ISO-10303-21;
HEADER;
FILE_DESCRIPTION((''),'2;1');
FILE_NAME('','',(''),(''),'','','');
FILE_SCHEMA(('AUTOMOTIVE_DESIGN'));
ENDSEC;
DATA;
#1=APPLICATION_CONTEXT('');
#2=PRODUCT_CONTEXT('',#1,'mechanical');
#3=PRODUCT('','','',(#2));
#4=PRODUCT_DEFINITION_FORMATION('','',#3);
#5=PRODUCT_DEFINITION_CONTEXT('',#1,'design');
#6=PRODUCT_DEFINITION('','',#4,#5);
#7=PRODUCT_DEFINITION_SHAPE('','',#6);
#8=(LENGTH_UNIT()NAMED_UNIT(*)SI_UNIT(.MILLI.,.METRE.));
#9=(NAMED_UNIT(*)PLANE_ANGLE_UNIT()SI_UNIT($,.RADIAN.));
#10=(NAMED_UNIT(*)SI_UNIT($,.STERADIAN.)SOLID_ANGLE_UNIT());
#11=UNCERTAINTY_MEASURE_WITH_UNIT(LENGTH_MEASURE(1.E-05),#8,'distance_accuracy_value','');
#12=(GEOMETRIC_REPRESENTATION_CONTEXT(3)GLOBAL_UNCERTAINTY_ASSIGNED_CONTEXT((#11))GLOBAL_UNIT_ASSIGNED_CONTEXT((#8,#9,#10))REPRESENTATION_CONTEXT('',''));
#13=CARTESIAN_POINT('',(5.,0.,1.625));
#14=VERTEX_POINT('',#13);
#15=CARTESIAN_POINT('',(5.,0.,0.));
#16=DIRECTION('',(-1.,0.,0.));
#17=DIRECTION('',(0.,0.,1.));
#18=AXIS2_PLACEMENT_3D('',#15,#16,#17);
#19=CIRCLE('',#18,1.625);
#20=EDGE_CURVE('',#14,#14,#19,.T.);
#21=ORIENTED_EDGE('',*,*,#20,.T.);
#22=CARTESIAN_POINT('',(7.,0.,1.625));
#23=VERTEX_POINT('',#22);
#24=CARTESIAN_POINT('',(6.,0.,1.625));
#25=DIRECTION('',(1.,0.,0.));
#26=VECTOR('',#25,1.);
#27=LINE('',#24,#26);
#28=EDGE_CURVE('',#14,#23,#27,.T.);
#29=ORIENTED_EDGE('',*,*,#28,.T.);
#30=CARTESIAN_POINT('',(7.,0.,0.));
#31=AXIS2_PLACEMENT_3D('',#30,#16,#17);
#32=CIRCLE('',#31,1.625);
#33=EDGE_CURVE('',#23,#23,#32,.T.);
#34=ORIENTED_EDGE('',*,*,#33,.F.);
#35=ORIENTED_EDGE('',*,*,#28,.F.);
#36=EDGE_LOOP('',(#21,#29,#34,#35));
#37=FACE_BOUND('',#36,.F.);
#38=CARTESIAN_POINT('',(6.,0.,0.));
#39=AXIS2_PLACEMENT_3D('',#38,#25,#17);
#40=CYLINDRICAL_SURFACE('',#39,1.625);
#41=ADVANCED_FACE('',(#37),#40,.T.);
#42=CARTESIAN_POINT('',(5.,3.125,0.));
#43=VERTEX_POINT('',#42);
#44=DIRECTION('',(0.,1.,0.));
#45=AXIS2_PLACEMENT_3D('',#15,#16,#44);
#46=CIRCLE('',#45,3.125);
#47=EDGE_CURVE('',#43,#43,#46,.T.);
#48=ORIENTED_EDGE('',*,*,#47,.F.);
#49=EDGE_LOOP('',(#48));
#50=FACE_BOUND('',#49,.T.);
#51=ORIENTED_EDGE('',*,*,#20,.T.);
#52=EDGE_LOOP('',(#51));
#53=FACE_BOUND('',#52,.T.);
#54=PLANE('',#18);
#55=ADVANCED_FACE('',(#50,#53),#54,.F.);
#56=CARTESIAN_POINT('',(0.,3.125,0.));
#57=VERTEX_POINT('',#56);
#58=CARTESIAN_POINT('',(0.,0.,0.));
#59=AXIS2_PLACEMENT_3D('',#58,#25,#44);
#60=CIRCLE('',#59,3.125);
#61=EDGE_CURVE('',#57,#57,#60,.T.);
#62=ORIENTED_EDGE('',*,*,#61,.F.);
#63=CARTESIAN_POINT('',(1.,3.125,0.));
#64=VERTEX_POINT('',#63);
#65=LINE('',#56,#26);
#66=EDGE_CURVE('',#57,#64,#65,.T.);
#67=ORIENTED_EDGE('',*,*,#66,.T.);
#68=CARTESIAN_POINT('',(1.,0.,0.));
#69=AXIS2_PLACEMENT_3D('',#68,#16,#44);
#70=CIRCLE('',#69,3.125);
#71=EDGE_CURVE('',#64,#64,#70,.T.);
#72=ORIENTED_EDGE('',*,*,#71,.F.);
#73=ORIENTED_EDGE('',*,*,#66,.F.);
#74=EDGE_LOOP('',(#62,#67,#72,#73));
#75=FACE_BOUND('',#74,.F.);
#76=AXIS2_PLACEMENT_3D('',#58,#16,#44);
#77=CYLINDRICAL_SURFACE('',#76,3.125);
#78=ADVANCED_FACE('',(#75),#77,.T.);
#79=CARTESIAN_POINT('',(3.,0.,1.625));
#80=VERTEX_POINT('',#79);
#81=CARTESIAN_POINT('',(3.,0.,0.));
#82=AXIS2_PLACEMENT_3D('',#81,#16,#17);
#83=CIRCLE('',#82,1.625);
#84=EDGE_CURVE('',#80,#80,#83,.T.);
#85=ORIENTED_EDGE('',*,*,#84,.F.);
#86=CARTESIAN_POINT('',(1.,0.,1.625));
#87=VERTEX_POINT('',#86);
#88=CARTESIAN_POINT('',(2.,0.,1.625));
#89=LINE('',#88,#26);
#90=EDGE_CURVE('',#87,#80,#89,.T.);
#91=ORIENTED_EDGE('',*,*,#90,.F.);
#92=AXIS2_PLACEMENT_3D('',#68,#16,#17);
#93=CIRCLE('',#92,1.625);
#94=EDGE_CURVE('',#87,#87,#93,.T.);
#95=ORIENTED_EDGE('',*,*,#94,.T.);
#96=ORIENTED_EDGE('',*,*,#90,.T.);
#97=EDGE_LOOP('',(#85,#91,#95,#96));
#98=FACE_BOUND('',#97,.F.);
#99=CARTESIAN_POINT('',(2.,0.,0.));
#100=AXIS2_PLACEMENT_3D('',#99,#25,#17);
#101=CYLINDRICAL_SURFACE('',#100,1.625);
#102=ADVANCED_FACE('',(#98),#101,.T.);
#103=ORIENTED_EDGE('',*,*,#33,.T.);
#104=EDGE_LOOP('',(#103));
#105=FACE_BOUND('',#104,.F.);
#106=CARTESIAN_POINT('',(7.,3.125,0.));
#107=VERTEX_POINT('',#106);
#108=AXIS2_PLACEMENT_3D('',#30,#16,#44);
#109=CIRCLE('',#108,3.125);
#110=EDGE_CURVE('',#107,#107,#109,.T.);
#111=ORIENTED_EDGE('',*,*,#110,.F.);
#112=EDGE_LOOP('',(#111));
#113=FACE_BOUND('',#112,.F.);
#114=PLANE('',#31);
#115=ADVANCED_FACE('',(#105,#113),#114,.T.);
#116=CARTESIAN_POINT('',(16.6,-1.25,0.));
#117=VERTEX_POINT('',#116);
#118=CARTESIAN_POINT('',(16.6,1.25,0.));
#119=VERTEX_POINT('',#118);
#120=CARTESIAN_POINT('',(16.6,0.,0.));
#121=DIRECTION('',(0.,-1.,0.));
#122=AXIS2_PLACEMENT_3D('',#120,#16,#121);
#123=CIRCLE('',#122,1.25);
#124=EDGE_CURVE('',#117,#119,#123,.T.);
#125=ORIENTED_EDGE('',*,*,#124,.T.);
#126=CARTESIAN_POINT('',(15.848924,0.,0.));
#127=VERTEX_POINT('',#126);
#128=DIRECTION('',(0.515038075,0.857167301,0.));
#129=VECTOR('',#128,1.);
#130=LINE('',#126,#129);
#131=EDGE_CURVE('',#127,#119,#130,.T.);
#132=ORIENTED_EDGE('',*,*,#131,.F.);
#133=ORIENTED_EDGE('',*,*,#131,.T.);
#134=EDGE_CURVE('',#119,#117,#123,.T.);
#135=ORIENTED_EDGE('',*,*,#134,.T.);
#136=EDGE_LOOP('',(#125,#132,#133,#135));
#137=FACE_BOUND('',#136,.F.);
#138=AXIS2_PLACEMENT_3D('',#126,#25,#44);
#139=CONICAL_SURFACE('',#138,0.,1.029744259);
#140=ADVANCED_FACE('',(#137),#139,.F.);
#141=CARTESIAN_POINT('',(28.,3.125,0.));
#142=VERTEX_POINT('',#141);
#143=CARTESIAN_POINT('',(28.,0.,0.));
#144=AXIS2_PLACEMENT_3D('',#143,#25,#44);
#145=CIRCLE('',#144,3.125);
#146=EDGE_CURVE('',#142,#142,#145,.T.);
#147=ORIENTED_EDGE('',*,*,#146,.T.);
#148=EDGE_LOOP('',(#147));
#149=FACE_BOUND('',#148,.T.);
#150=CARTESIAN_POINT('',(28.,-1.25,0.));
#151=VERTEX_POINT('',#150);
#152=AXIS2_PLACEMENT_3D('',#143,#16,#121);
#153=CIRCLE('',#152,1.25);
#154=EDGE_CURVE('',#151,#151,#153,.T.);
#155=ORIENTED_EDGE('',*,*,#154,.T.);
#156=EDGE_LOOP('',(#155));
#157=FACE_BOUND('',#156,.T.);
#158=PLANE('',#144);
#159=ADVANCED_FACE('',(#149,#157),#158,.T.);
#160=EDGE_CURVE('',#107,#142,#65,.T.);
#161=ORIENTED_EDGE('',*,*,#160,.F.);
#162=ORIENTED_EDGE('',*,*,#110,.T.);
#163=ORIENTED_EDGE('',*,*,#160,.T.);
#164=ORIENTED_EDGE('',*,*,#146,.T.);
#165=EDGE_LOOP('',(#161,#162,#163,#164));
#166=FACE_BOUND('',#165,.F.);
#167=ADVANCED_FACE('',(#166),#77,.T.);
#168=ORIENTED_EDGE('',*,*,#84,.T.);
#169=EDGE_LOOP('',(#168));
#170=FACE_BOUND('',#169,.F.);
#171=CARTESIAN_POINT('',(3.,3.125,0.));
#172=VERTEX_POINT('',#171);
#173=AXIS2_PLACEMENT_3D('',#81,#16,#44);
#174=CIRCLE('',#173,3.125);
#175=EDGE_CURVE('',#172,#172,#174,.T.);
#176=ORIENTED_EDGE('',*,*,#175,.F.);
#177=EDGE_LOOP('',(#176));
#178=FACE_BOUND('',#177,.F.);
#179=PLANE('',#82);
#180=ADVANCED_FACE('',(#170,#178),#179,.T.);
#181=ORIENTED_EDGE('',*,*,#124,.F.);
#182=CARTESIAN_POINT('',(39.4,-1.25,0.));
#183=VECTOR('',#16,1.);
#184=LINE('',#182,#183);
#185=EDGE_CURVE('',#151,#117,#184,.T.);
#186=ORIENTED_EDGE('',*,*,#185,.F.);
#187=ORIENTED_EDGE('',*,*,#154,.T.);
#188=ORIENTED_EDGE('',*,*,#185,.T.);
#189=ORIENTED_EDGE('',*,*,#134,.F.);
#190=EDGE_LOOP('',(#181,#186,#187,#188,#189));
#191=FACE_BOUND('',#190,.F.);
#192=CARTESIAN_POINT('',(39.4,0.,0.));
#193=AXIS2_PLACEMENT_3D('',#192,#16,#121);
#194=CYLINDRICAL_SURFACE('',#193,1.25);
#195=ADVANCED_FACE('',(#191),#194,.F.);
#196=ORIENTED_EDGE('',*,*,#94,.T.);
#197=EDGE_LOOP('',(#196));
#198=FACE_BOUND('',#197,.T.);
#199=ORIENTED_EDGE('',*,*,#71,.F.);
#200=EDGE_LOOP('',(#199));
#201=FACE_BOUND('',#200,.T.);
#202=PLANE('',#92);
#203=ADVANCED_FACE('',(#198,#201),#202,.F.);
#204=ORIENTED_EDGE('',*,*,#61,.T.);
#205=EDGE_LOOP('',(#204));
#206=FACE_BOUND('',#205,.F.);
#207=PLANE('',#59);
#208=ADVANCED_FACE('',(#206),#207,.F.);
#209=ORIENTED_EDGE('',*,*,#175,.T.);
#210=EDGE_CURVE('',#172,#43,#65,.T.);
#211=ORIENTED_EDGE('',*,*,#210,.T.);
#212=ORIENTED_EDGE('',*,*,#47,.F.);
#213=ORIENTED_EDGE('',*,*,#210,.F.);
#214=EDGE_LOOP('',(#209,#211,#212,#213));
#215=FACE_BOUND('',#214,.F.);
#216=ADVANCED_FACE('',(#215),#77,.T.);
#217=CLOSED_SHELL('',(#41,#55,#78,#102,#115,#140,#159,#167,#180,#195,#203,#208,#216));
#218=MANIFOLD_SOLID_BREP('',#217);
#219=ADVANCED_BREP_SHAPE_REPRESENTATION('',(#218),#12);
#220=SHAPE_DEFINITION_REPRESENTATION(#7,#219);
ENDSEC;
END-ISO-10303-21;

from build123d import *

# Parameters (mm, degrees)
F0_R     = 3.125
F1_DEPTH = 28
F2_W     = 2
F2_H     = 5.1480256068
F5_D     = 2.5
F5_DEPTH = 11.4
F5_TIP   = 0.7510757738


with BuildPart() as f1:
    # F0 (on Right) → F1 (new body)
    with BuildSketch(Plane.YZ):
        Circle(F0_R)
    extrude(amount=F1_DEPTH)

    # F2 (on Front) → F3 (revolve, cut)
    with BuildSketch(Plane.XZ):
        with Locations((2, 4.1990128034)):
            Rectangle(F2_W, F2_H)
        with Locations((6, 4.1990128034)):
            Rectangle(F2_W, F2_H)
    revolve(axis=Axis((0, 0, 0), (-1, 0, 0)), mode=Mode.SUBTRACT)

    # F5
    with Locations(Plane.YZ.offset(28)):
        with Locations((0, 0)):
            Hole(F5_D / 2, depth=F5_DEPTH)
            with Locations((0, 0, -(F5_DEPTH + F5_TIP / 2))):  # 118° drill point
                Cone(0, F5_D / 2, F5_TIP, mode=Mode.SUBTRACT)


solid = f1.part
